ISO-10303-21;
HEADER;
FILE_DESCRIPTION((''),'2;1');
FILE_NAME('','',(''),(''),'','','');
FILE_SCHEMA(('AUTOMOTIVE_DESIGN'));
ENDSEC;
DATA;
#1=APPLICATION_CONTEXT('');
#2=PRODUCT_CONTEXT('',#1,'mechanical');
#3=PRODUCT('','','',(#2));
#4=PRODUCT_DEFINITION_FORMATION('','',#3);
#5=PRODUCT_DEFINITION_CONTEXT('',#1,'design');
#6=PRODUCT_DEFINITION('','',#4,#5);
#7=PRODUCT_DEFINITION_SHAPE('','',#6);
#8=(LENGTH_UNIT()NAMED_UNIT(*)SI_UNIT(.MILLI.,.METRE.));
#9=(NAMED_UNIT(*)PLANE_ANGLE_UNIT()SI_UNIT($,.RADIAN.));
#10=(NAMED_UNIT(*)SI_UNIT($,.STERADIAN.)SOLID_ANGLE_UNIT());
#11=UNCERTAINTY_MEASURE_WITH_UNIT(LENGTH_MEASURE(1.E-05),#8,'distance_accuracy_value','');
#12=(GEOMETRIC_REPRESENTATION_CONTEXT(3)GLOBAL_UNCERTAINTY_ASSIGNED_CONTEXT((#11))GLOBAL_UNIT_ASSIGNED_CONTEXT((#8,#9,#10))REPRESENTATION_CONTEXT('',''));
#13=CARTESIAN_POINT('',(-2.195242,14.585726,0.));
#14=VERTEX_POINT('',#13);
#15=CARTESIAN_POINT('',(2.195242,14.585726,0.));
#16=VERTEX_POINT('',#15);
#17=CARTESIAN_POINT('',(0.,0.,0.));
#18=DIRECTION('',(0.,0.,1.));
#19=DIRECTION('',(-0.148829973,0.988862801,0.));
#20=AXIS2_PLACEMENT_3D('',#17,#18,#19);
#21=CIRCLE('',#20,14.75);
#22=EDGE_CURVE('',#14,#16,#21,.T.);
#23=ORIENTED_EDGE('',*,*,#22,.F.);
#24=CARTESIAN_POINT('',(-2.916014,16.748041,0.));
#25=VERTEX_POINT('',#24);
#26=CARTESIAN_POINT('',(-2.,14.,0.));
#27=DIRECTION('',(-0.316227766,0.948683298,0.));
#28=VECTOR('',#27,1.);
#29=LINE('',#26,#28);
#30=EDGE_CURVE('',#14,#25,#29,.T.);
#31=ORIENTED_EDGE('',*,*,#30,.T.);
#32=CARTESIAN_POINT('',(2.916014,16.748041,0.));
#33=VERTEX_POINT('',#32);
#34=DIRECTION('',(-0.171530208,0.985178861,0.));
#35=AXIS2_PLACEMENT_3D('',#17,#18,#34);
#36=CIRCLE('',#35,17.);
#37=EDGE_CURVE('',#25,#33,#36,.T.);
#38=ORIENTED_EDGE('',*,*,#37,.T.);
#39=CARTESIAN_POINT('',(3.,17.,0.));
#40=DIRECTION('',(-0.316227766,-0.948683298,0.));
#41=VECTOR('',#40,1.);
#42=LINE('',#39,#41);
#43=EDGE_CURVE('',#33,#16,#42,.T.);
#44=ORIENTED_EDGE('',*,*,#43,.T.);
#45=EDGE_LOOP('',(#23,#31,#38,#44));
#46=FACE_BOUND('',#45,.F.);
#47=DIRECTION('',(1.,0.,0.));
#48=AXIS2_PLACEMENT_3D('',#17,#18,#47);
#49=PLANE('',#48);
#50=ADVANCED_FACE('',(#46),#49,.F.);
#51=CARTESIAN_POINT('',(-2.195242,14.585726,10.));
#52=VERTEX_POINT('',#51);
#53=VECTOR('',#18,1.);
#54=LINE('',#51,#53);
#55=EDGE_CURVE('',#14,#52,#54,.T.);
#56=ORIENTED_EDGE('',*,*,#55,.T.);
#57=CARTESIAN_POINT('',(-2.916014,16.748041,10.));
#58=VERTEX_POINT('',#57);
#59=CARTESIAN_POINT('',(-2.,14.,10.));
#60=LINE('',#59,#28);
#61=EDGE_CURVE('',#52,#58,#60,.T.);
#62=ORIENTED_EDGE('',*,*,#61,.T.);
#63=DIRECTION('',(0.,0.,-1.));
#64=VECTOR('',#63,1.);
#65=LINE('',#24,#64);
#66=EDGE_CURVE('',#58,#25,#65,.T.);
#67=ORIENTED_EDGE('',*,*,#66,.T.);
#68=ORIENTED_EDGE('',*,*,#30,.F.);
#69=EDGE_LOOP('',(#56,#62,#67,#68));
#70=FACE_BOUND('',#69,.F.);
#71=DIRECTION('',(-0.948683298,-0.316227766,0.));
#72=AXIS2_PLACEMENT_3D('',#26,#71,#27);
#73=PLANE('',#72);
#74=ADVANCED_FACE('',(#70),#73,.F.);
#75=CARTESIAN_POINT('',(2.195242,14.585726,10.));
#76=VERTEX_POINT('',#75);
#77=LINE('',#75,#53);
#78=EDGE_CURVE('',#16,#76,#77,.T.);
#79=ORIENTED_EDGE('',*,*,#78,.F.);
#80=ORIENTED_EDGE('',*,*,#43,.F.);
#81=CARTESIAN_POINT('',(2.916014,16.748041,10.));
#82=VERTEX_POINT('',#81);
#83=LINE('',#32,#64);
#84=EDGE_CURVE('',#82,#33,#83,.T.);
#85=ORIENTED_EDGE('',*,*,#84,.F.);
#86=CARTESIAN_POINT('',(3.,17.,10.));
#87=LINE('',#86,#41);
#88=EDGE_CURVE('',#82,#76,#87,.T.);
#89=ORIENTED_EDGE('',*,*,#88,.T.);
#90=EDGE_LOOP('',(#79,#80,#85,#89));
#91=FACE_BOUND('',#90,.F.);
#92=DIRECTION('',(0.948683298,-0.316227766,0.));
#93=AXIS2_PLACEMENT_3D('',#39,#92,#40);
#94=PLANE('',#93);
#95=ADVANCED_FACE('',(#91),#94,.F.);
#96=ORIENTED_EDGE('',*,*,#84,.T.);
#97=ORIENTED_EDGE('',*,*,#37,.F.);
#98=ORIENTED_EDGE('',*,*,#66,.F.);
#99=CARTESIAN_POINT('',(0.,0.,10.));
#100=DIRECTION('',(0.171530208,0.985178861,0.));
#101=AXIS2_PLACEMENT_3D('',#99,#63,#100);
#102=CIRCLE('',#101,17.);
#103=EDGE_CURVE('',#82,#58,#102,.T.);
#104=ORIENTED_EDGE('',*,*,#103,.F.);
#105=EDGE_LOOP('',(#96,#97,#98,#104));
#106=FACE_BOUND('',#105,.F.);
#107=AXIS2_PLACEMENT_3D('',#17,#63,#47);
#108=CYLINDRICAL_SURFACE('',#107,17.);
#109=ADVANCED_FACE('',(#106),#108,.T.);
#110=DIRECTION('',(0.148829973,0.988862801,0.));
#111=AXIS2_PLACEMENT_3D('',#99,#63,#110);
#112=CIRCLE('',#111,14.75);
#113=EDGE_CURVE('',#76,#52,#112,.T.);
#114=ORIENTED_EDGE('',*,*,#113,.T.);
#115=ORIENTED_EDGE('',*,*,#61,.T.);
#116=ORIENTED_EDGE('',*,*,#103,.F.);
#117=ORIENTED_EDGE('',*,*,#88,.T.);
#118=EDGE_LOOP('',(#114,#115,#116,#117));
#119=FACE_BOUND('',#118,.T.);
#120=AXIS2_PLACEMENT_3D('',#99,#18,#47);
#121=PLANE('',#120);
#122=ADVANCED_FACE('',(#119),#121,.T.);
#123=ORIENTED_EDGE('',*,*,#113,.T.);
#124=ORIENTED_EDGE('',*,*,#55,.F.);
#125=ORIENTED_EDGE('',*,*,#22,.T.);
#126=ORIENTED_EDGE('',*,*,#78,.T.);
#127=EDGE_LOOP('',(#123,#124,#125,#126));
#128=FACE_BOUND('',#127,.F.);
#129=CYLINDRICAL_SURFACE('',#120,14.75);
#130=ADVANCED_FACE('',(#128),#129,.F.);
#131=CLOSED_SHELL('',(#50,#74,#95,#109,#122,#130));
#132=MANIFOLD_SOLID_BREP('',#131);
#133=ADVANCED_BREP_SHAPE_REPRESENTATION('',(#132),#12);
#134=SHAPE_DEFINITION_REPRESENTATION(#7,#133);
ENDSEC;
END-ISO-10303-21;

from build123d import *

# Parameters (mm, degrees)
PAD001_DEPTH = 10
SKETCH_R     = 17
PAD_DEPTH    = 10
SKETCH001_R  = 14.75
POCKET_DEPTH = 10


with BuildPart() as adapter_ring_cutout:
    # Sketch002 → Pad001 (new body)
    with BuildSketch(Plane.XY):
        Polygon((-3, 17), (3, 17), (2, 14), (-2, 14), align=None)
    extrude(amount=PAD001_DEPTH)


with BuildPart() as cut:
    # Sketch → Pad (new body)
    with BuildSketch(Plane.XY):
        Circle(SKETCH_R)
    extrude(amount=PAD_DEPTH)

    # Sketch001 (on Face3 of Pad) → Pocket (cut)
    with BuildSketch(Plane.XY.offset(10)):
        Circle(SKETCH001_R)
    extrude(amount=-POCKET_DEPTH, mode=Mode.SUBTRACT)

    # Cut: cut adapter ring cutout
    add(adapter_ring_cutout.part, mode=Mode.SUBTRACT)


solid = cut.part
